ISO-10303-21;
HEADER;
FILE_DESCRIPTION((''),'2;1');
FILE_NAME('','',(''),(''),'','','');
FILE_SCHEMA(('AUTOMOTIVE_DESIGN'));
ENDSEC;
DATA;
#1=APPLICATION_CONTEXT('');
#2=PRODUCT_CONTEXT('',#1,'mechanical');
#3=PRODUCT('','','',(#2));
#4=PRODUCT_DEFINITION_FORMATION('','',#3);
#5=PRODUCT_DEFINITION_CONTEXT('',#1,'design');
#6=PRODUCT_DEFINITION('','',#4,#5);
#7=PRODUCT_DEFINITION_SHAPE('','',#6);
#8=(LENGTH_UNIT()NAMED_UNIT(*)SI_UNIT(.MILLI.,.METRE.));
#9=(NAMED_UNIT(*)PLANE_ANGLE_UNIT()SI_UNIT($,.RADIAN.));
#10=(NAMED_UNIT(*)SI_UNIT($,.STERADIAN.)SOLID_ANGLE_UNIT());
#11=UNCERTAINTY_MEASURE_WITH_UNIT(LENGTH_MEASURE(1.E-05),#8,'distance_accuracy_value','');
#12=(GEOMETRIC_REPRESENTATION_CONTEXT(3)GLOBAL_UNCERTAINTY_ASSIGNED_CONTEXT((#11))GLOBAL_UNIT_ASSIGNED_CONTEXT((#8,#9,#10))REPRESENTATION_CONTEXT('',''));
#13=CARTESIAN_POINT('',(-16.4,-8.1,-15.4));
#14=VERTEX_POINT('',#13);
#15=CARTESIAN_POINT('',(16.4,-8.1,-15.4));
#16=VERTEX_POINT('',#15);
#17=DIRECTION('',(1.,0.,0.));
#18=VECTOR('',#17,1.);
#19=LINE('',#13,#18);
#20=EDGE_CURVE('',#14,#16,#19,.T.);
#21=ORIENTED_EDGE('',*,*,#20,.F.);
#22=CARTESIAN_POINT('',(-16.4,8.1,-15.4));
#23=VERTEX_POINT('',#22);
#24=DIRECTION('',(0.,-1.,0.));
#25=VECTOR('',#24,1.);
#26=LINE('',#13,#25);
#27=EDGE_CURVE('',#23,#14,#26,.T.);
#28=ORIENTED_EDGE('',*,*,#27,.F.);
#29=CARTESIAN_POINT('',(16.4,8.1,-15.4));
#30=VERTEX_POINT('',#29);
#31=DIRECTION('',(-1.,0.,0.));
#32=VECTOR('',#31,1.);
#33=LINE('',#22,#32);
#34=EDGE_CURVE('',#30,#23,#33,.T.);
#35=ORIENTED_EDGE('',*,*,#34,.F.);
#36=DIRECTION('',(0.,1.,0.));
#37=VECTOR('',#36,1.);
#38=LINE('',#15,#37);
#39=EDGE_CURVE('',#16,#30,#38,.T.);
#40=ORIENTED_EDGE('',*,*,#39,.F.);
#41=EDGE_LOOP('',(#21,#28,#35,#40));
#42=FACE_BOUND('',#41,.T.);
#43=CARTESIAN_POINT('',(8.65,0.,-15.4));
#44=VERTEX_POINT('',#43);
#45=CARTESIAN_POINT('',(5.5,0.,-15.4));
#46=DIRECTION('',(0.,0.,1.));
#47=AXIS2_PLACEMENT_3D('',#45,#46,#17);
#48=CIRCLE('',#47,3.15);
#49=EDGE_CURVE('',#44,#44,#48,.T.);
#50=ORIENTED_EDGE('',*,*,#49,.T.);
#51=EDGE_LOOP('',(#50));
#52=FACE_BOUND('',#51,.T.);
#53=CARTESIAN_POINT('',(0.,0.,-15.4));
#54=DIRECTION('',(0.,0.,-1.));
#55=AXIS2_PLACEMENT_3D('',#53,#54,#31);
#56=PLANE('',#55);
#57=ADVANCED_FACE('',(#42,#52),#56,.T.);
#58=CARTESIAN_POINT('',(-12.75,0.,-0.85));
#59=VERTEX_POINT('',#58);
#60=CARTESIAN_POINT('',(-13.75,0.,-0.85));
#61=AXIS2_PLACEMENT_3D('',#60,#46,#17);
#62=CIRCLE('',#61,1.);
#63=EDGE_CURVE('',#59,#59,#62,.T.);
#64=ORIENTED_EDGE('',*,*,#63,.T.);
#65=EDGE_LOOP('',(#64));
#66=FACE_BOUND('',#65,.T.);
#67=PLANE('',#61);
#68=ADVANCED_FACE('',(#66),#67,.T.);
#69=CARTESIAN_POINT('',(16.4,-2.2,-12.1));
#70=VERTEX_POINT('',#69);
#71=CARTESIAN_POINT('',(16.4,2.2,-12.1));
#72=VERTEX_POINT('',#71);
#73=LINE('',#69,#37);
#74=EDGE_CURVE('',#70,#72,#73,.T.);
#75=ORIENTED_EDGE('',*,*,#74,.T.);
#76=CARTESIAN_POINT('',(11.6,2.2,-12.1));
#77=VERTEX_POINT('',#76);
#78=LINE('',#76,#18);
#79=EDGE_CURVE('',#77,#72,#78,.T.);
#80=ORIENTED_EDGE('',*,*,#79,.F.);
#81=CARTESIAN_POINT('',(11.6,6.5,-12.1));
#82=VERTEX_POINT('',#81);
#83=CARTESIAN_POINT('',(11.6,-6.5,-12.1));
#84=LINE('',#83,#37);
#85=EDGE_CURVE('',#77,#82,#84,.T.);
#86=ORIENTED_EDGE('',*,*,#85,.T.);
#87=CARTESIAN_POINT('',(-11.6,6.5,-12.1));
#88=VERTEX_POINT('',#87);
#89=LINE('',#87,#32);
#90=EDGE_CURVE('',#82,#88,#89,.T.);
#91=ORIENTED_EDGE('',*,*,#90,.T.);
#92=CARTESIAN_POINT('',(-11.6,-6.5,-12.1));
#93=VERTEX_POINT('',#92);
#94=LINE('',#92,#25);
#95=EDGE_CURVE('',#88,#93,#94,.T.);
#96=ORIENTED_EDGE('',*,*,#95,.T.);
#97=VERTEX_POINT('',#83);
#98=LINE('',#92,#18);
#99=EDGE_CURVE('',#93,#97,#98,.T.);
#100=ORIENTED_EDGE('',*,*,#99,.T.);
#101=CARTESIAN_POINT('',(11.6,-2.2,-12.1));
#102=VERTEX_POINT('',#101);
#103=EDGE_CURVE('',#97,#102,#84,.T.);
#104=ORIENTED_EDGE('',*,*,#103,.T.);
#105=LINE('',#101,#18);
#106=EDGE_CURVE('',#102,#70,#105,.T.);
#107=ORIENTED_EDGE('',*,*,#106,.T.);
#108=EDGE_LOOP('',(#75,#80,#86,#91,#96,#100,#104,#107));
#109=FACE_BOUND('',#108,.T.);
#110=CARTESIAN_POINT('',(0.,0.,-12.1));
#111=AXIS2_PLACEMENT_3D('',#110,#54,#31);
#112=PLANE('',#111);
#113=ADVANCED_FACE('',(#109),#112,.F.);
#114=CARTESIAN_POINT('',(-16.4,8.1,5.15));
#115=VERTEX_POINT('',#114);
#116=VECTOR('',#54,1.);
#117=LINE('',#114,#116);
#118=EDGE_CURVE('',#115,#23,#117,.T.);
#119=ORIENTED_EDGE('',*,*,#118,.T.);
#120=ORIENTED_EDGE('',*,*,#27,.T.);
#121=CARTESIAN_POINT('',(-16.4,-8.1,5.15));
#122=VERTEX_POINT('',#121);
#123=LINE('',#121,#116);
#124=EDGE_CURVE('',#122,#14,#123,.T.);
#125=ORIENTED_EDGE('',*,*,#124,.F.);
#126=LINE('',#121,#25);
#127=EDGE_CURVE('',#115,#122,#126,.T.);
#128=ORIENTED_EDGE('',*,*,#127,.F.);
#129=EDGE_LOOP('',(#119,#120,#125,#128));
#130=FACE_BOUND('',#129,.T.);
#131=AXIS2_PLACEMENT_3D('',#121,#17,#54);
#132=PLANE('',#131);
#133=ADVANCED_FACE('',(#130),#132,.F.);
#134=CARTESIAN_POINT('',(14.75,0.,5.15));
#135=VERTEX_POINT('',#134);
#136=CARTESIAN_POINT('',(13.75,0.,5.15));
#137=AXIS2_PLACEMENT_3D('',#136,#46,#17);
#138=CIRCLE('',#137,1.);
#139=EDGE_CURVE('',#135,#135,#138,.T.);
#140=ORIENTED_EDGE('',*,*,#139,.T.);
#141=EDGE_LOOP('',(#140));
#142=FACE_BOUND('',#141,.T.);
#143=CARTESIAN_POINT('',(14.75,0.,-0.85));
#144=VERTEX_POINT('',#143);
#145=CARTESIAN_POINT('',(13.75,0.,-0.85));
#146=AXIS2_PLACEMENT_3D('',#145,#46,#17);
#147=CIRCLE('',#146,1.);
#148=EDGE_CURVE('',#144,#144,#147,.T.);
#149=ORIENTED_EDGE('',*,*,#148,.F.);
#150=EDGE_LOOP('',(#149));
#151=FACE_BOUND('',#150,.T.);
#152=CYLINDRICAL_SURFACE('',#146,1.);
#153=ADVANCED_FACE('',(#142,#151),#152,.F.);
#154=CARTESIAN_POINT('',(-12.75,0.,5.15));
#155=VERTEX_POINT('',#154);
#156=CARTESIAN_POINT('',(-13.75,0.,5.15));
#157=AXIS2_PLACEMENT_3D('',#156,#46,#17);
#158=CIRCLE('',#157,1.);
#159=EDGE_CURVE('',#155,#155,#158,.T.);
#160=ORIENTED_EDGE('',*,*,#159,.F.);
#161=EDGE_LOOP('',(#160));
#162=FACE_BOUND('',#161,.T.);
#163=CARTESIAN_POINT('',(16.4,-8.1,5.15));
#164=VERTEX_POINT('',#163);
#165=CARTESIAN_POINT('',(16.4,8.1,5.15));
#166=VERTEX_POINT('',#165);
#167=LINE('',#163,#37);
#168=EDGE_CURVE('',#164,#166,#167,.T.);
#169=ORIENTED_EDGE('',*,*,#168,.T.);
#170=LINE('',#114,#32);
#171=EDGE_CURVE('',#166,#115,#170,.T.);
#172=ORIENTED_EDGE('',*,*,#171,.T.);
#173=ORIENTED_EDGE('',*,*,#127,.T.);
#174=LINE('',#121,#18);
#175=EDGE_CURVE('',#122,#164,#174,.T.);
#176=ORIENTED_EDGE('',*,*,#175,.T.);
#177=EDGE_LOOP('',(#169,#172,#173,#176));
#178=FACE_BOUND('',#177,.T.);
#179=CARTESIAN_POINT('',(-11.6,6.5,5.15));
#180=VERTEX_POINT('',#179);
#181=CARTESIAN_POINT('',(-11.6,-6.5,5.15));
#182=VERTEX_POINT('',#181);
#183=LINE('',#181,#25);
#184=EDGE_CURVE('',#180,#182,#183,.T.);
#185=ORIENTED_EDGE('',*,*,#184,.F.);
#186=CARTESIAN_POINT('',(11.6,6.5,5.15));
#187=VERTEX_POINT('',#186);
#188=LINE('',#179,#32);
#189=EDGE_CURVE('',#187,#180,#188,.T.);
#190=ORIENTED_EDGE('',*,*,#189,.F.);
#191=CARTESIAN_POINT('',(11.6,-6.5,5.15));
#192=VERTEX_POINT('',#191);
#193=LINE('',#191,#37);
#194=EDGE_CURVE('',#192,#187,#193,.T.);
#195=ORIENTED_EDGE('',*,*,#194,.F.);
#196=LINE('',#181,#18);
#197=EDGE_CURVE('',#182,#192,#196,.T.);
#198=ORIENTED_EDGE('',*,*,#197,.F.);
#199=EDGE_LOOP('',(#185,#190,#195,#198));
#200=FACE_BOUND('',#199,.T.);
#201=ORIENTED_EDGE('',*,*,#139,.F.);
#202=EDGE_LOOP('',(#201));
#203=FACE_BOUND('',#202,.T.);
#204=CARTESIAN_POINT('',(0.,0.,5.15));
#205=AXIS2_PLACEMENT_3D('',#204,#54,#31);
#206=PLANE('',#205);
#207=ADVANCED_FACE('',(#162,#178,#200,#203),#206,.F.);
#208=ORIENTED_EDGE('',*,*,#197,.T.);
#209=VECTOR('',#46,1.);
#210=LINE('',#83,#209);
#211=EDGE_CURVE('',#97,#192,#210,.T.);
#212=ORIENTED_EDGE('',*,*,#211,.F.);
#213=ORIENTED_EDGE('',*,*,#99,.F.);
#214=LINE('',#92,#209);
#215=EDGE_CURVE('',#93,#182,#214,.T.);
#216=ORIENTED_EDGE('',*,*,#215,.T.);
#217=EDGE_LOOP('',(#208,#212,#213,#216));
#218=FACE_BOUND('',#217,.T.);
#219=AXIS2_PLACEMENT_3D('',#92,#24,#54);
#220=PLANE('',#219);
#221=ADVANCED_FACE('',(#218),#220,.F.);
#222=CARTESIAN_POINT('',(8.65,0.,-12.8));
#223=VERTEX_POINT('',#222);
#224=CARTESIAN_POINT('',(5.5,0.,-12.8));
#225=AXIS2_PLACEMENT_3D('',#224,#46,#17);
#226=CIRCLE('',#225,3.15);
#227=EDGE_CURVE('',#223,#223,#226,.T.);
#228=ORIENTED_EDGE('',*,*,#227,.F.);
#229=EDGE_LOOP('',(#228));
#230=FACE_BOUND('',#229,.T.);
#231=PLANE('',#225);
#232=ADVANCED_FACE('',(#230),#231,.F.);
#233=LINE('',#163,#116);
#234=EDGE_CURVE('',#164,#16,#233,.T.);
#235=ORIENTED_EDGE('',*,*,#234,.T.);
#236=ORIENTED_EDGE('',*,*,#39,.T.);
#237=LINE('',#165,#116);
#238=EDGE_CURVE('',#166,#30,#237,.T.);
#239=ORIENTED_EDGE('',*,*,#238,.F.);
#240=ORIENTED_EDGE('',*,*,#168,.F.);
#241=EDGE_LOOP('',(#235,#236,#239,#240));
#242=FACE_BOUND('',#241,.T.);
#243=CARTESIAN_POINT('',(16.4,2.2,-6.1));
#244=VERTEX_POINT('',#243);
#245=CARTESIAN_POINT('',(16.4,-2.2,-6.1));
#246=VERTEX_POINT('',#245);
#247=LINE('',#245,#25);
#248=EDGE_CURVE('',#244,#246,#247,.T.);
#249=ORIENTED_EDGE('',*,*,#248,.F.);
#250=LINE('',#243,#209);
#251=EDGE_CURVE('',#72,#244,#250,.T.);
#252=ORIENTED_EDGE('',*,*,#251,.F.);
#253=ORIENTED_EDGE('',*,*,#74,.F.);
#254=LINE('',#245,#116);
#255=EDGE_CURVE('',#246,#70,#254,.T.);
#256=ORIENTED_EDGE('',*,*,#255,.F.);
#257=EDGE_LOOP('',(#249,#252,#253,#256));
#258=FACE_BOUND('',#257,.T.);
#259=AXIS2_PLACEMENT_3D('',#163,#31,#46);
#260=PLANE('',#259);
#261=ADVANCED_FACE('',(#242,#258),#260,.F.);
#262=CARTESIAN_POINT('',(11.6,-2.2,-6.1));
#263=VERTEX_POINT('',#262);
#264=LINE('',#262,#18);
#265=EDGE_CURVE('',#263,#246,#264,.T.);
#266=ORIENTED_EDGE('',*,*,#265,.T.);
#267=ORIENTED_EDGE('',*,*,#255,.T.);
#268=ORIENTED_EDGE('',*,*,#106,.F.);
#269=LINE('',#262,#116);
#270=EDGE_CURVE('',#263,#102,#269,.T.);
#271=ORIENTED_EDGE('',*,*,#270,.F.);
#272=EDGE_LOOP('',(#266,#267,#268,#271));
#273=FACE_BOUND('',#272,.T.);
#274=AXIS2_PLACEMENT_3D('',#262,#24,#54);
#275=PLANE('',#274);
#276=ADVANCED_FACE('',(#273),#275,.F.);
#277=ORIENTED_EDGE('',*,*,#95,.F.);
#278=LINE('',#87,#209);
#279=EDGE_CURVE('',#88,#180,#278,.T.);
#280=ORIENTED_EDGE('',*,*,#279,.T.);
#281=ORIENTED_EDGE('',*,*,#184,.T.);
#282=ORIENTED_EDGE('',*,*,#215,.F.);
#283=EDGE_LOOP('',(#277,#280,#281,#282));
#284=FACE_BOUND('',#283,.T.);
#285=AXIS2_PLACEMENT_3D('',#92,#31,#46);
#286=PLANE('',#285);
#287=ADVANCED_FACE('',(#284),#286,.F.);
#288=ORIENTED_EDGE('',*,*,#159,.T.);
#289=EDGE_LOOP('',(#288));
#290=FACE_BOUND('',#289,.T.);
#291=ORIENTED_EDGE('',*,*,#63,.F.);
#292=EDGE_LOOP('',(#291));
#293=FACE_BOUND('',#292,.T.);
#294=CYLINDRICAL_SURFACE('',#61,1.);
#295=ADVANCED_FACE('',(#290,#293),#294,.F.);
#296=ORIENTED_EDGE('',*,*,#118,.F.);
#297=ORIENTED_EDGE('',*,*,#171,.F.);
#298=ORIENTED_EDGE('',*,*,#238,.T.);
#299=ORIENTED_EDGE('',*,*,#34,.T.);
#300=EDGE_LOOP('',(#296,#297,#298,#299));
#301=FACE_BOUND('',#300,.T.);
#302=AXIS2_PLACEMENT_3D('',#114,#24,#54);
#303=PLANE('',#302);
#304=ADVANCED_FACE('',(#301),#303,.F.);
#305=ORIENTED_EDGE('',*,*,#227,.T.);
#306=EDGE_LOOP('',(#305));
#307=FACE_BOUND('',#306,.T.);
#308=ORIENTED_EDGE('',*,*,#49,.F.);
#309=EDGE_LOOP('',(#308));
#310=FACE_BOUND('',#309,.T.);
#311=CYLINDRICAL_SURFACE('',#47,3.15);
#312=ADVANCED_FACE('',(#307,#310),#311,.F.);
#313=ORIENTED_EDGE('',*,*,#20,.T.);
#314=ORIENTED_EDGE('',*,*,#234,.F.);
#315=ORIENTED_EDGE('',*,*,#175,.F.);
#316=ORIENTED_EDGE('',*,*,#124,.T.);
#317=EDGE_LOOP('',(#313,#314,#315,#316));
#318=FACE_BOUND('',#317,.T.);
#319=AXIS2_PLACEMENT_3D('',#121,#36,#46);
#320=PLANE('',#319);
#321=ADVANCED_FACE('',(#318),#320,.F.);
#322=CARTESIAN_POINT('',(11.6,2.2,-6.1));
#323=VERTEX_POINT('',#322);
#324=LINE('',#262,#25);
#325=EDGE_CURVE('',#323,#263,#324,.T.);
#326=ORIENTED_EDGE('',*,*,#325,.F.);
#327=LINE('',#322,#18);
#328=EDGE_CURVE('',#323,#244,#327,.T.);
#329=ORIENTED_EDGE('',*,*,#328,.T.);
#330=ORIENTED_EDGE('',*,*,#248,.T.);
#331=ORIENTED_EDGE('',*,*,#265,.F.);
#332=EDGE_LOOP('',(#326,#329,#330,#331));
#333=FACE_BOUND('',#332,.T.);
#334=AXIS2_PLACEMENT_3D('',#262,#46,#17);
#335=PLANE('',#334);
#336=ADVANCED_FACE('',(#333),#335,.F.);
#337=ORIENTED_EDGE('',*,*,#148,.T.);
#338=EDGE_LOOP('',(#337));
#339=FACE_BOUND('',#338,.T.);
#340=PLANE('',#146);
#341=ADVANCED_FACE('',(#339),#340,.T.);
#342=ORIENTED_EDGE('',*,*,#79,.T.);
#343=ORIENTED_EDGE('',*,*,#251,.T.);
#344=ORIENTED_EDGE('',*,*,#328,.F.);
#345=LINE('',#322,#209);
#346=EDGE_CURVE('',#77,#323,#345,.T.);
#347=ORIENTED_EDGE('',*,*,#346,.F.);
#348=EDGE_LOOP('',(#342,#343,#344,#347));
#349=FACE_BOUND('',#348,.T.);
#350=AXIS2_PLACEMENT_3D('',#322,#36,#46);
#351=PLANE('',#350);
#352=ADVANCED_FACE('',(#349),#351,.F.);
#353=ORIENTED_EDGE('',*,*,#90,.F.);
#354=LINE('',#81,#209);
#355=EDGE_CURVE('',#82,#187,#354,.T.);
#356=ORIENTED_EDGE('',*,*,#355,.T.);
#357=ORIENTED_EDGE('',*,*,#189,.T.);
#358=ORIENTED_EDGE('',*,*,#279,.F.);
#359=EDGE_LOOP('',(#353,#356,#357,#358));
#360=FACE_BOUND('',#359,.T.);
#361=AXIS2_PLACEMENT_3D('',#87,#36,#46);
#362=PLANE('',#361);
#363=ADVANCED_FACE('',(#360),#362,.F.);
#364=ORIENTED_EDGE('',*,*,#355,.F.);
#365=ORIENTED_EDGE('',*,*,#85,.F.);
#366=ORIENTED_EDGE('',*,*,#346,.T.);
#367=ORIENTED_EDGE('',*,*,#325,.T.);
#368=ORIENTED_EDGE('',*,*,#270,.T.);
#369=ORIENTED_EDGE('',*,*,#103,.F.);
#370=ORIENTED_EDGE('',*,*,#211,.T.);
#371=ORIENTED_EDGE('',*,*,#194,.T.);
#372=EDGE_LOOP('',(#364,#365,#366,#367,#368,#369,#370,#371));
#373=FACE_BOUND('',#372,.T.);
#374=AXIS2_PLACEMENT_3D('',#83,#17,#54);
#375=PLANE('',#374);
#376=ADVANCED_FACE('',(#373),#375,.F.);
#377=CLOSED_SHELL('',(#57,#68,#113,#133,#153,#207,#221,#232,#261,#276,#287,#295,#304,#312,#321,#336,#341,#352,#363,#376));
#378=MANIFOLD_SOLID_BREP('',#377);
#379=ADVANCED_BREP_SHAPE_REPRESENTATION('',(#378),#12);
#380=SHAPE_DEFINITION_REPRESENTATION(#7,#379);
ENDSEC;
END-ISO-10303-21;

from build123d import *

# Parameters (mm, degrees)
BOSS_EXTRUDE1_START = -5.125
SKETCH1_W           = 32.8
SKETCH1_H           = 16.2
BOSS_EXTRUDE1_DEPTH = 10.275
CUT_EXTRUDE1_START  = -3.475
SKETCH2_W           = 23.2
SKETCH2_H           = 13
CUT_EXTRUDE1_DEPTH  = 8.625
CUT_EXTRUDE2_START  = 2.15
SKETCH3_R           = 1
CUT_EXTRUDE2_DEPTH  = 3
CUT_EXTRUDE3_START  = 2.15
SKETCH4_R           = 1
CUT_EXTRUDE3_DEPTH  = 3
CUT_EXTRUDE4_START  = -14.1
SKETCH5_R           = 3.15
CUT_EXTRUDE4_DEPTH  = 1.3
CUT_EXTRUDE5_START  = 14
SKETCH6_W           = 6
SKETCH6_H           = 4.4
CUT_EXTRUDE5_DEPTH  = 2.4


with BuildPart() as part:
    # Sketch1 → Boss-Extrude1 (new, symmetric)
    with BuildSketch(Plane.XY.offset(BOSS_EXTRUDE1_START)):
        Rectangle(SKETCH1_W, SKETCH1_H)
    extrude(amount=BOSS_EXTRUDE1_DEPTH, both=True)

    # Sketch2 → Cut-Extrude1 (cut, symmetric)
    with BuildSketch(Plane.XY.offset(CUT_EXTRUDE1_START)):
        Rectangle(SKETCH2_W, SKETCH2_H)
    extrude(amount=CUT_EXTRUDE1_DEPTH, both=True, mode=Mode.SUBTRACT)

    # Sketch3 → Cut-Extrude2 (cut, symmetric)
    with BuildSketch(Plane.XY.offset(CUT_EXTRUDE2_START)):
        with Locations((-13.75, 0)):
            Circle(SKETCH3_R)
    extrude(amount=CUT_EXTRUDE2_DEPTH, both=True, mode=Mode.SUBTRACT)

    # Sketch4 → Cut-Extrude3 (cut, symmetric)
    with BuildSketch(Plane.XY.offset(CUT_EXTRUDE3_START)):
        with Locations((13.75, 0)):
            Circle(SKETCH4_R)
    extrude(amount=CUT_EXTRUDE3_DEPTH, both=True, mode=Mode.SUBTRACT)

    # Sketch5 → Cut-Extrude4 (cut, symmetric)
    with BuildSketch(Plane.XY.offset(CUT_EXTRUDE4_START)):
        with Locations((5.5, 0)):
            Circle(SKETCH5_R)
    extrude(amount=CUT_EXTRUDE4_DEPTH, both=True, mode=Mode.SUBTRACT)

    # Sketch6 → Cut-Extrude5 (cut, symmetric)
    with BuildSketch(Plane(origin=(0, 0, 0), x_dir=(0, 0, -1), z_dir=(1, 0, 0)).offset(CUT_EXTRUDE5_START)):
        with Locations((9.1, 0)):
            Rectangle(SKETCH6_W, SKETCH6_H)
    extrude(amount=CUT_EXTRUDE5_DEPTH, both=True, mode=Mode.SUBTRACT)


solid = part.part
